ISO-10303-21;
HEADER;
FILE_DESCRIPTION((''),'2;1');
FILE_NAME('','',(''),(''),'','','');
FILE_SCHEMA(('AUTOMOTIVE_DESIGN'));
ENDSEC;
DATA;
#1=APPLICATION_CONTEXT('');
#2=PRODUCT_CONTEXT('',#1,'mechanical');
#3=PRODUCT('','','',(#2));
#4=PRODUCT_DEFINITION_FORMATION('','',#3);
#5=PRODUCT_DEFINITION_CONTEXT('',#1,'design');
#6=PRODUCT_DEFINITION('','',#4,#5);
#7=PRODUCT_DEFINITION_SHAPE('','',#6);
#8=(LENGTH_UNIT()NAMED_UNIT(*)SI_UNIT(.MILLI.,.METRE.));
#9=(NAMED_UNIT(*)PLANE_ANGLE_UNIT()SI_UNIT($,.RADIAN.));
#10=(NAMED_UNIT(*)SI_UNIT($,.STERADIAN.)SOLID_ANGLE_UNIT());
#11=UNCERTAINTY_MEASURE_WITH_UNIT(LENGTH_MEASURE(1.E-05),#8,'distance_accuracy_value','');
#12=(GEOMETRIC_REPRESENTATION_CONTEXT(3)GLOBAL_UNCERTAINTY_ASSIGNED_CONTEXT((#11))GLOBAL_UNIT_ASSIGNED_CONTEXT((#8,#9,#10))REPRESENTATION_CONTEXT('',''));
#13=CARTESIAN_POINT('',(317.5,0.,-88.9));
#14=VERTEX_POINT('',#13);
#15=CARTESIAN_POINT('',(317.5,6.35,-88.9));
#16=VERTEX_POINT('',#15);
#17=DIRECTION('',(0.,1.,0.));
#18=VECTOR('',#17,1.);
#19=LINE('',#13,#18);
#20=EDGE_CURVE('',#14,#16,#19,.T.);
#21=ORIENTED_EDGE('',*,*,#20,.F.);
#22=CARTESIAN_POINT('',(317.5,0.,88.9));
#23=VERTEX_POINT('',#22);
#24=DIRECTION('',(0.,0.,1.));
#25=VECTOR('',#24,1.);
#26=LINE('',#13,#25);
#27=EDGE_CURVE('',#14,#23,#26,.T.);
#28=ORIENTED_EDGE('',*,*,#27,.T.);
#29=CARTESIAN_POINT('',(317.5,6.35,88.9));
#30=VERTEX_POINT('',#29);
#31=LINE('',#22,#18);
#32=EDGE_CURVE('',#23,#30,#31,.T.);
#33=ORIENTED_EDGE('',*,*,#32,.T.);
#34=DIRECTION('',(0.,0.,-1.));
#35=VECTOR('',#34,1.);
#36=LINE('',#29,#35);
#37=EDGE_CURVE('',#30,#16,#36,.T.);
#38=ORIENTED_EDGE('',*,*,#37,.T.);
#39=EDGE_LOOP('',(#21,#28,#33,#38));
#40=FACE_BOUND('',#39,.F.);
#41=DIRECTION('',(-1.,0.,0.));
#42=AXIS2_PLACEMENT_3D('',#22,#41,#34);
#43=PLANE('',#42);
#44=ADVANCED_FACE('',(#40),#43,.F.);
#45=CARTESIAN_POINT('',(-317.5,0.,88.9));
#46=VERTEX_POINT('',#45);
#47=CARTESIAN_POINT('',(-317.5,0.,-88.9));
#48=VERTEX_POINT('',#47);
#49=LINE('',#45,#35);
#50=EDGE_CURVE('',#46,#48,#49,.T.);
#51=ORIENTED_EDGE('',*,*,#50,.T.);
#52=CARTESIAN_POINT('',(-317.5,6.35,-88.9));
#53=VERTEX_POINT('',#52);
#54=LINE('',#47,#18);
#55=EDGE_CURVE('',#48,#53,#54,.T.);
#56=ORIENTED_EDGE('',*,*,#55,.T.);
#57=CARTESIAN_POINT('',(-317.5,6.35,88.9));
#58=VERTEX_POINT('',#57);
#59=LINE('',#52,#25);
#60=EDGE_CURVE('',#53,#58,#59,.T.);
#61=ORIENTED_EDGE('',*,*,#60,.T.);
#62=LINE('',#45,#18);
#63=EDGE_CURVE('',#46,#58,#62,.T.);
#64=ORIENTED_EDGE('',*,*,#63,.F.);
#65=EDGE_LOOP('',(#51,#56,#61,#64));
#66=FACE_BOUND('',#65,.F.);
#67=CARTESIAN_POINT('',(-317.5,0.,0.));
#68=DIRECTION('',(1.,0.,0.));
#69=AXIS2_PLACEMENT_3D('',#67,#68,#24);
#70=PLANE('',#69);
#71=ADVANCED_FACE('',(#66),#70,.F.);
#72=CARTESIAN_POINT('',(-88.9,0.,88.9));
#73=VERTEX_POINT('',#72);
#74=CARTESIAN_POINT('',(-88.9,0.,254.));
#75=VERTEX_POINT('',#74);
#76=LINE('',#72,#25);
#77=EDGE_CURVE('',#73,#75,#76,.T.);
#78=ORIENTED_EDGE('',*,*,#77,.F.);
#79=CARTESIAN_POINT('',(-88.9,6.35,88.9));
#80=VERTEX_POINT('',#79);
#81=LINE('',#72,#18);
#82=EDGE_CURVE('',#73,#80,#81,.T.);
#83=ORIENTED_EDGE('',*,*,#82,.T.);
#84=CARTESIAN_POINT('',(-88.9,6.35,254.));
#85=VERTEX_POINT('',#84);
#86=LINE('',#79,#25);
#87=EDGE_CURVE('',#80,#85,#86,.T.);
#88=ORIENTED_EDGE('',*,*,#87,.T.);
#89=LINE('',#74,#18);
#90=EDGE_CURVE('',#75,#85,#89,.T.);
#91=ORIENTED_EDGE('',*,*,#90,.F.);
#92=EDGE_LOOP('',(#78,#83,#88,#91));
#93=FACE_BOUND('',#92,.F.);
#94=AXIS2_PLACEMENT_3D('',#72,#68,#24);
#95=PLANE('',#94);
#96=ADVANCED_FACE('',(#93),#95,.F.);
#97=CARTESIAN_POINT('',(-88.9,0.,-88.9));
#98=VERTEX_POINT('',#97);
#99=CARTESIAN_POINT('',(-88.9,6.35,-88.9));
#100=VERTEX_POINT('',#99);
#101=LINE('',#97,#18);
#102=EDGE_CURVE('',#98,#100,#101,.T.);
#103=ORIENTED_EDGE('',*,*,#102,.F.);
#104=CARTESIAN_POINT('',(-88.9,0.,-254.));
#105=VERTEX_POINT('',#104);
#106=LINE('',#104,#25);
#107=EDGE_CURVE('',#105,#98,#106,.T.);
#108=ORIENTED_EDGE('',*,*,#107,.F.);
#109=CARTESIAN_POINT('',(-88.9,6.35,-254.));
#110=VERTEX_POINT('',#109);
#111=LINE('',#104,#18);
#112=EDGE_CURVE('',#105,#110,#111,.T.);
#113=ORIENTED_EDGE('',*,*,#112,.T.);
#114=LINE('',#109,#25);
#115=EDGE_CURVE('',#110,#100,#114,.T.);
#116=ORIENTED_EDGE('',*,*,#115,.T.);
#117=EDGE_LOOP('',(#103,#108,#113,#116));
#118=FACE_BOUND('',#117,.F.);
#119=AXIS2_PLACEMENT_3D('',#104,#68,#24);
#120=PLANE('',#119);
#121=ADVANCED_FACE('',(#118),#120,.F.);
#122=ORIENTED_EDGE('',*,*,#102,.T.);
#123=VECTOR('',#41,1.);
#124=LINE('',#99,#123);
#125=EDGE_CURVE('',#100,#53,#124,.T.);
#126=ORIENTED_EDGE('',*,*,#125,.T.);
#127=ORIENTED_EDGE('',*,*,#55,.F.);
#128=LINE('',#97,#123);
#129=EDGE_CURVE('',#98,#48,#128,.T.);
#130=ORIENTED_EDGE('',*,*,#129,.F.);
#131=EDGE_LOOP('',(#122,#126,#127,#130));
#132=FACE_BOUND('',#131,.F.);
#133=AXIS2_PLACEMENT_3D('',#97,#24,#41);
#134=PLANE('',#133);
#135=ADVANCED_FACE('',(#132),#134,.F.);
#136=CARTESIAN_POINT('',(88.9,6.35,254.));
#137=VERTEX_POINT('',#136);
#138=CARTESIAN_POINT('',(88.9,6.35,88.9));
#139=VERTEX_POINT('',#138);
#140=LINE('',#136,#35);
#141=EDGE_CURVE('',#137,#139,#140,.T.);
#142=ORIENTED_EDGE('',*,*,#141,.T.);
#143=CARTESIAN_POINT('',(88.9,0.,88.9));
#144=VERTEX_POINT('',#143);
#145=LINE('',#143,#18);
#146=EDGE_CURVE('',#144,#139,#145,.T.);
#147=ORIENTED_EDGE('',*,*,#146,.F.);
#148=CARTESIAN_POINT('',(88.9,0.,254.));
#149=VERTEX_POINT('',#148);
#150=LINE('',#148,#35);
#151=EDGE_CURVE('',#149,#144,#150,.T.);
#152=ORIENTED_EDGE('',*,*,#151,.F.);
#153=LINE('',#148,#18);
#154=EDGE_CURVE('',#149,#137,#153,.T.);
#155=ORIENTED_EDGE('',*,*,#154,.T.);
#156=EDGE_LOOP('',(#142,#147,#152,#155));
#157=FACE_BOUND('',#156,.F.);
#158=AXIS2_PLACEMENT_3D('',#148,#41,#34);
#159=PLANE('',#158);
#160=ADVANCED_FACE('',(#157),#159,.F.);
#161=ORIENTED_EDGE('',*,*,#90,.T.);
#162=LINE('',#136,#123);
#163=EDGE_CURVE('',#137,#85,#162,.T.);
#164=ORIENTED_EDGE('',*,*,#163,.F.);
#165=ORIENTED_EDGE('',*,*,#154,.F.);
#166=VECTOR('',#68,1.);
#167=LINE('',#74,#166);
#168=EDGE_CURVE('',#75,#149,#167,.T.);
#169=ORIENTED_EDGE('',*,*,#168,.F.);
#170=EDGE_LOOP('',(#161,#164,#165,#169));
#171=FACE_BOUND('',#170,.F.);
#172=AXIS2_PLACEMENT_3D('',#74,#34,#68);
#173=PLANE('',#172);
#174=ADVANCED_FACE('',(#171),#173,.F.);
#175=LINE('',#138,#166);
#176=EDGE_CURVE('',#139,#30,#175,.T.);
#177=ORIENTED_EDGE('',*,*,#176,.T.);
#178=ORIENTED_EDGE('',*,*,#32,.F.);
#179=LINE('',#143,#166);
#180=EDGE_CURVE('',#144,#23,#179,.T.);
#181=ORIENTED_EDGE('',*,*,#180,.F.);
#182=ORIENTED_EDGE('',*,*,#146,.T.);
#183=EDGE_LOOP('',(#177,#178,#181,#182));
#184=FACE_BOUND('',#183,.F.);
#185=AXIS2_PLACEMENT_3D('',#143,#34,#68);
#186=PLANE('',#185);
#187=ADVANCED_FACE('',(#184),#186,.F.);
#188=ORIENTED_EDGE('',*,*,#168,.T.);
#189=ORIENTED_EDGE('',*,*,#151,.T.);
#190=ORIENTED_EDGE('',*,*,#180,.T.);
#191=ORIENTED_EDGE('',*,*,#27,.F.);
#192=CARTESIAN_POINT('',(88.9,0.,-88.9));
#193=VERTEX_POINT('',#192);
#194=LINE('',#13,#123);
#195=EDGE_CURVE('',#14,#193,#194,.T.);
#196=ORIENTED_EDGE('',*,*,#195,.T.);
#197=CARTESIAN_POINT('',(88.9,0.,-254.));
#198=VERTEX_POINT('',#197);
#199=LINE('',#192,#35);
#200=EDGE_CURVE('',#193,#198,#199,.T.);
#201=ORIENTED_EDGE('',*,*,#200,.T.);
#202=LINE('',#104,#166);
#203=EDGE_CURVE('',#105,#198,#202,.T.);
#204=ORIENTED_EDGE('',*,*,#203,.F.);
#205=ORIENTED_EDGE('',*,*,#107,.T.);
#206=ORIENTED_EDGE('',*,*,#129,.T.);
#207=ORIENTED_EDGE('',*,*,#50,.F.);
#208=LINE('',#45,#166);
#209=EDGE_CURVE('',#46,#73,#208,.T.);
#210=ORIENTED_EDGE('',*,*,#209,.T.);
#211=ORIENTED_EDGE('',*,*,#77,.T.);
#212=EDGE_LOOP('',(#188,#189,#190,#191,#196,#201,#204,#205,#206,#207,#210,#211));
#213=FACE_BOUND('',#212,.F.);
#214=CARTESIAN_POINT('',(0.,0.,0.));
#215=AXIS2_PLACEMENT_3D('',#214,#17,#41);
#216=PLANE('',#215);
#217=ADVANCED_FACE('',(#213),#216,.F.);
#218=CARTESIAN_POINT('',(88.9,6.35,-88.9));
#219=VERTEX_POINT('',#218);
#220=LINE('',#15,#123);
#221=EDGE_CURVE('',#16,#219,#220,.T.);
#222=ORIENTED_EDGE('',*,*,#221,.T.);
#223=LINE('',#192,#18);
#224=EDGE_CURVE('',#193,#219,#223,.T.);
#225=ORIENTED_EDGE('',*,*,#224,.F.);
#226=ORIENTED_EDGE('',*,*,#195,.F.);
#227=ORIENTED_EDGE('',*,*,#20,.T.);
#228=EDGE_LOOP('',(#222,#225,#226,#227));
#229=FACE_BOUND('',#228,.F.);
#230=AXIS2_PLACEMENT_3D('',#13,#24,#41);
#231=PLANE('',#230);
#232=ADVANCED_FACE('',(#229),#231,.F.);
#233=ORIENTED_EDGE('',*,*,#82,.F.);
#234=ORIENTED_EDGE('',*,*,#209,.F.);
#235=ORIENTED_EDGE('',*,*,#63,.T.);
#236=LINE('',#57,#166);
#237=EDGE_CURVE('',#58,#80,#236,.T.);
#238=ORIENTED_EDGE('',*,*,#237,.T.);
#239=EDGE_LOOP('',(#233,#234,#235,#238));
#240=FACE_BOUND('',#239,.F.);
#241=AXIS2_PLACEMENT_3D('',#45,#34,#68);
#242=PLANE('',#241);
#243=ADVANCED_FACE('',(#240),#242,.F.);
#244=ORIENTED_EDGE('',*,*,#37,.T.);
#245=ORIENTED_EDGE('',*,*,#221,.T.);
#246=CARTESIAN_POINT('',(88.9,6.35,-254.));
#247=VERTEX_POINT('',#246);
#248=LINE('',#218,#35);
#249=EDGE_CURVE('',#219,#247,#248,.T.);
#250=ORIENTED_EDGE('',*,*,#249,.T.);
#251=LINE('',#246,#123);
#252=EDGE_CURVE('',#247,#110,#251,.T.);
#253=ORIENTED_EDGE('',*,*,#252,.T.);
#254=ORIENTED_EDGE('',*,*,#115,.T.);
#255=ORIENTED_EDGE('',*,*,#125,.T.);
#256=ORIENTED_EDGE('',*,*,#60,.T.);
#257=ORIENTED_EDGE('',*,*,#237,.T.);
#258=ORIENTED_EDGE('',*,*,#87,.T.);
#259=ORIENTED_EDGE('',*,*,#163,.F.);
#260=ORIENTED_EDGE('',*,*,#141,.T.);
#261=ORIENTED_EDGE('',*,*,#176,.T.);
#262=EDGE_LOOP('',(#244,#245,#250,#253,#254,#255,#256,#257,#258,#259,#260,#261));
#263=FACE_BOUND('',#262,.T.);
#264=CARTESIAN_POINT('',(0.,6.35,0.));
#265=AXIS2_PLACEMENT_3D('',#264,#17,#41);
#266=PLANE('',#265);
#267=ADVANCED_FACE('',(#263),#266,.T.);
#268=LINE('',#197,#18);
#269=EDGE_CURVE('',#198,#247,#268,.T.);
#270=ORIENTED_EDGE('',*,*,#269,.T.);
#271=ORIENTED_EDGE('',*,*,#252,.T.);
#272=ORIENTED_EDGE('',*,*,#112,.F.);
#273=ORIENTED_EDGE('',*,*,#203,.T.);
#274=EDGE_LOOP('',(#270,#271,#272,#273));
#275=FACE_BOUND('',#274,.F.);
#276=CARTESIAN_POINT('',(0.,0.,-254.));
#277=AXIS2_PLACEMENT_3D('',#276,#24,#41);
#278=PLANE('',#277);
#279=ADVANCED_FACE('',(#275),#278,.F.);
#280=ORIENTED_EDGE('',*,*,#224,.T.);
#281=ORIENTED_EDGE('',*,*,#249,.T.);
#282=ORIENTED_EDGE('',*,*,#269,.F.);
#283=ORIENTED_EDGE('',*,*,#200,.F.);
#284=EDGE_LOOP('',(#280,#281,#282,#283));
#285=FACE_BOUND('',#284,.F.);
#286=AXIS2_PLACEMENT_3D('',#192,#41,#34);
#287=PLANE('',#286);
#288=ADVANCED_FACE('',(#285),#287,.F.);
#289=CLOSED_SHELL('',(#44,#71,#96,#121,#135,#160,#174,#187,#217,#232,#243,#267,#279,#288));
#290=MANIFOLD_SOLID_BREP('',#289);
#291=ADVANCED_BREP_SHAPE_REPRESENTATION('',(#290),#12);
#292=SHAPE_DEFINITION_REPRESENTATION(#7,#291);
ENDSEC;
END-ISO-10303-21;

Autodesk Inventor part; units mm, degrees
ref_plane "YZ Plane" through (0, 0, 0) normal (1, 0, 0) x (0, 1, 0)
ref_plane "XZ Plane" through (0, 0, 0) normal (0, 1, 0) x (-1, 0, 0)
ref_plane "XY Plane" through (0, 0, 0) normal (0, 0, 1) x (1, 0, 0)
sketch "Sketch1" plane through (0, 0, 0) normal (0, 1, 0) x (-1, 0, 0)
  line L0 (88.9, 254) -> (-88.9, 254)
  line L1 (-88.9, -254) -> (88.9, -254)
  line L2 (0, -266.7) -> (0, 266.7) projected
  line L3 (-444.5, 0) -> (444.5, 0) projected
  line L4 (88.9, -88.9) -> (317.5, -88.9)
  line L5 (317.5, -88.9) -> (317.5, 88.9)
  line L6 (317.5, 88.9) -> (88.9, 88.9)
  line L7 (-88.9, 88.9) -> (-317.5, 88.9)
  line L8 (-317.5, 88.9) -> (-317.5, -88.9)
  line L9 (-317.5, -88.9) -> (-88.9, -88.9)
  line L10 (88.9, -254) -> (88.9, -88.9)
  line L11 (88.9, 88.9) -> (88.9, 254)
  line L12 (-88.9, 254) -> (-88.9, 88.9)
  line L13 (-88.9, -88.9) -> (-88.9, -254)
  line L14 (88.9, -88.9) -> (88.9, 88.9)
  line L15 (-88.9, -88.9) -> (-88.9, 88.9)
  line L16 (88.9, -88.9) -> (-88.9, -88.9)
  line L17 (-88.9, 88.9) -> (88.9, 88.9)
  point P0 (0, 0)
  dimension "d1" = 177.8
  dimension "d5" = 177.8
  dimension "d6" = 635
  dimension "d7" = 508
extrude "Extrusion1" add sketch "Sketch1" along normal blind 6.35
equation "\"d1\" = Height"
equation "\"d5\" = Width"
equation "\"d6\" = HLength"
equation "\"d7\" = WLength"
equation "\"HLength\" = 635"
equation "\"Height\" = 177.8"
equation "\"Width\" = 177.8"
equation "\"WLength\" = 508"
properties part number "Electronics Board"
